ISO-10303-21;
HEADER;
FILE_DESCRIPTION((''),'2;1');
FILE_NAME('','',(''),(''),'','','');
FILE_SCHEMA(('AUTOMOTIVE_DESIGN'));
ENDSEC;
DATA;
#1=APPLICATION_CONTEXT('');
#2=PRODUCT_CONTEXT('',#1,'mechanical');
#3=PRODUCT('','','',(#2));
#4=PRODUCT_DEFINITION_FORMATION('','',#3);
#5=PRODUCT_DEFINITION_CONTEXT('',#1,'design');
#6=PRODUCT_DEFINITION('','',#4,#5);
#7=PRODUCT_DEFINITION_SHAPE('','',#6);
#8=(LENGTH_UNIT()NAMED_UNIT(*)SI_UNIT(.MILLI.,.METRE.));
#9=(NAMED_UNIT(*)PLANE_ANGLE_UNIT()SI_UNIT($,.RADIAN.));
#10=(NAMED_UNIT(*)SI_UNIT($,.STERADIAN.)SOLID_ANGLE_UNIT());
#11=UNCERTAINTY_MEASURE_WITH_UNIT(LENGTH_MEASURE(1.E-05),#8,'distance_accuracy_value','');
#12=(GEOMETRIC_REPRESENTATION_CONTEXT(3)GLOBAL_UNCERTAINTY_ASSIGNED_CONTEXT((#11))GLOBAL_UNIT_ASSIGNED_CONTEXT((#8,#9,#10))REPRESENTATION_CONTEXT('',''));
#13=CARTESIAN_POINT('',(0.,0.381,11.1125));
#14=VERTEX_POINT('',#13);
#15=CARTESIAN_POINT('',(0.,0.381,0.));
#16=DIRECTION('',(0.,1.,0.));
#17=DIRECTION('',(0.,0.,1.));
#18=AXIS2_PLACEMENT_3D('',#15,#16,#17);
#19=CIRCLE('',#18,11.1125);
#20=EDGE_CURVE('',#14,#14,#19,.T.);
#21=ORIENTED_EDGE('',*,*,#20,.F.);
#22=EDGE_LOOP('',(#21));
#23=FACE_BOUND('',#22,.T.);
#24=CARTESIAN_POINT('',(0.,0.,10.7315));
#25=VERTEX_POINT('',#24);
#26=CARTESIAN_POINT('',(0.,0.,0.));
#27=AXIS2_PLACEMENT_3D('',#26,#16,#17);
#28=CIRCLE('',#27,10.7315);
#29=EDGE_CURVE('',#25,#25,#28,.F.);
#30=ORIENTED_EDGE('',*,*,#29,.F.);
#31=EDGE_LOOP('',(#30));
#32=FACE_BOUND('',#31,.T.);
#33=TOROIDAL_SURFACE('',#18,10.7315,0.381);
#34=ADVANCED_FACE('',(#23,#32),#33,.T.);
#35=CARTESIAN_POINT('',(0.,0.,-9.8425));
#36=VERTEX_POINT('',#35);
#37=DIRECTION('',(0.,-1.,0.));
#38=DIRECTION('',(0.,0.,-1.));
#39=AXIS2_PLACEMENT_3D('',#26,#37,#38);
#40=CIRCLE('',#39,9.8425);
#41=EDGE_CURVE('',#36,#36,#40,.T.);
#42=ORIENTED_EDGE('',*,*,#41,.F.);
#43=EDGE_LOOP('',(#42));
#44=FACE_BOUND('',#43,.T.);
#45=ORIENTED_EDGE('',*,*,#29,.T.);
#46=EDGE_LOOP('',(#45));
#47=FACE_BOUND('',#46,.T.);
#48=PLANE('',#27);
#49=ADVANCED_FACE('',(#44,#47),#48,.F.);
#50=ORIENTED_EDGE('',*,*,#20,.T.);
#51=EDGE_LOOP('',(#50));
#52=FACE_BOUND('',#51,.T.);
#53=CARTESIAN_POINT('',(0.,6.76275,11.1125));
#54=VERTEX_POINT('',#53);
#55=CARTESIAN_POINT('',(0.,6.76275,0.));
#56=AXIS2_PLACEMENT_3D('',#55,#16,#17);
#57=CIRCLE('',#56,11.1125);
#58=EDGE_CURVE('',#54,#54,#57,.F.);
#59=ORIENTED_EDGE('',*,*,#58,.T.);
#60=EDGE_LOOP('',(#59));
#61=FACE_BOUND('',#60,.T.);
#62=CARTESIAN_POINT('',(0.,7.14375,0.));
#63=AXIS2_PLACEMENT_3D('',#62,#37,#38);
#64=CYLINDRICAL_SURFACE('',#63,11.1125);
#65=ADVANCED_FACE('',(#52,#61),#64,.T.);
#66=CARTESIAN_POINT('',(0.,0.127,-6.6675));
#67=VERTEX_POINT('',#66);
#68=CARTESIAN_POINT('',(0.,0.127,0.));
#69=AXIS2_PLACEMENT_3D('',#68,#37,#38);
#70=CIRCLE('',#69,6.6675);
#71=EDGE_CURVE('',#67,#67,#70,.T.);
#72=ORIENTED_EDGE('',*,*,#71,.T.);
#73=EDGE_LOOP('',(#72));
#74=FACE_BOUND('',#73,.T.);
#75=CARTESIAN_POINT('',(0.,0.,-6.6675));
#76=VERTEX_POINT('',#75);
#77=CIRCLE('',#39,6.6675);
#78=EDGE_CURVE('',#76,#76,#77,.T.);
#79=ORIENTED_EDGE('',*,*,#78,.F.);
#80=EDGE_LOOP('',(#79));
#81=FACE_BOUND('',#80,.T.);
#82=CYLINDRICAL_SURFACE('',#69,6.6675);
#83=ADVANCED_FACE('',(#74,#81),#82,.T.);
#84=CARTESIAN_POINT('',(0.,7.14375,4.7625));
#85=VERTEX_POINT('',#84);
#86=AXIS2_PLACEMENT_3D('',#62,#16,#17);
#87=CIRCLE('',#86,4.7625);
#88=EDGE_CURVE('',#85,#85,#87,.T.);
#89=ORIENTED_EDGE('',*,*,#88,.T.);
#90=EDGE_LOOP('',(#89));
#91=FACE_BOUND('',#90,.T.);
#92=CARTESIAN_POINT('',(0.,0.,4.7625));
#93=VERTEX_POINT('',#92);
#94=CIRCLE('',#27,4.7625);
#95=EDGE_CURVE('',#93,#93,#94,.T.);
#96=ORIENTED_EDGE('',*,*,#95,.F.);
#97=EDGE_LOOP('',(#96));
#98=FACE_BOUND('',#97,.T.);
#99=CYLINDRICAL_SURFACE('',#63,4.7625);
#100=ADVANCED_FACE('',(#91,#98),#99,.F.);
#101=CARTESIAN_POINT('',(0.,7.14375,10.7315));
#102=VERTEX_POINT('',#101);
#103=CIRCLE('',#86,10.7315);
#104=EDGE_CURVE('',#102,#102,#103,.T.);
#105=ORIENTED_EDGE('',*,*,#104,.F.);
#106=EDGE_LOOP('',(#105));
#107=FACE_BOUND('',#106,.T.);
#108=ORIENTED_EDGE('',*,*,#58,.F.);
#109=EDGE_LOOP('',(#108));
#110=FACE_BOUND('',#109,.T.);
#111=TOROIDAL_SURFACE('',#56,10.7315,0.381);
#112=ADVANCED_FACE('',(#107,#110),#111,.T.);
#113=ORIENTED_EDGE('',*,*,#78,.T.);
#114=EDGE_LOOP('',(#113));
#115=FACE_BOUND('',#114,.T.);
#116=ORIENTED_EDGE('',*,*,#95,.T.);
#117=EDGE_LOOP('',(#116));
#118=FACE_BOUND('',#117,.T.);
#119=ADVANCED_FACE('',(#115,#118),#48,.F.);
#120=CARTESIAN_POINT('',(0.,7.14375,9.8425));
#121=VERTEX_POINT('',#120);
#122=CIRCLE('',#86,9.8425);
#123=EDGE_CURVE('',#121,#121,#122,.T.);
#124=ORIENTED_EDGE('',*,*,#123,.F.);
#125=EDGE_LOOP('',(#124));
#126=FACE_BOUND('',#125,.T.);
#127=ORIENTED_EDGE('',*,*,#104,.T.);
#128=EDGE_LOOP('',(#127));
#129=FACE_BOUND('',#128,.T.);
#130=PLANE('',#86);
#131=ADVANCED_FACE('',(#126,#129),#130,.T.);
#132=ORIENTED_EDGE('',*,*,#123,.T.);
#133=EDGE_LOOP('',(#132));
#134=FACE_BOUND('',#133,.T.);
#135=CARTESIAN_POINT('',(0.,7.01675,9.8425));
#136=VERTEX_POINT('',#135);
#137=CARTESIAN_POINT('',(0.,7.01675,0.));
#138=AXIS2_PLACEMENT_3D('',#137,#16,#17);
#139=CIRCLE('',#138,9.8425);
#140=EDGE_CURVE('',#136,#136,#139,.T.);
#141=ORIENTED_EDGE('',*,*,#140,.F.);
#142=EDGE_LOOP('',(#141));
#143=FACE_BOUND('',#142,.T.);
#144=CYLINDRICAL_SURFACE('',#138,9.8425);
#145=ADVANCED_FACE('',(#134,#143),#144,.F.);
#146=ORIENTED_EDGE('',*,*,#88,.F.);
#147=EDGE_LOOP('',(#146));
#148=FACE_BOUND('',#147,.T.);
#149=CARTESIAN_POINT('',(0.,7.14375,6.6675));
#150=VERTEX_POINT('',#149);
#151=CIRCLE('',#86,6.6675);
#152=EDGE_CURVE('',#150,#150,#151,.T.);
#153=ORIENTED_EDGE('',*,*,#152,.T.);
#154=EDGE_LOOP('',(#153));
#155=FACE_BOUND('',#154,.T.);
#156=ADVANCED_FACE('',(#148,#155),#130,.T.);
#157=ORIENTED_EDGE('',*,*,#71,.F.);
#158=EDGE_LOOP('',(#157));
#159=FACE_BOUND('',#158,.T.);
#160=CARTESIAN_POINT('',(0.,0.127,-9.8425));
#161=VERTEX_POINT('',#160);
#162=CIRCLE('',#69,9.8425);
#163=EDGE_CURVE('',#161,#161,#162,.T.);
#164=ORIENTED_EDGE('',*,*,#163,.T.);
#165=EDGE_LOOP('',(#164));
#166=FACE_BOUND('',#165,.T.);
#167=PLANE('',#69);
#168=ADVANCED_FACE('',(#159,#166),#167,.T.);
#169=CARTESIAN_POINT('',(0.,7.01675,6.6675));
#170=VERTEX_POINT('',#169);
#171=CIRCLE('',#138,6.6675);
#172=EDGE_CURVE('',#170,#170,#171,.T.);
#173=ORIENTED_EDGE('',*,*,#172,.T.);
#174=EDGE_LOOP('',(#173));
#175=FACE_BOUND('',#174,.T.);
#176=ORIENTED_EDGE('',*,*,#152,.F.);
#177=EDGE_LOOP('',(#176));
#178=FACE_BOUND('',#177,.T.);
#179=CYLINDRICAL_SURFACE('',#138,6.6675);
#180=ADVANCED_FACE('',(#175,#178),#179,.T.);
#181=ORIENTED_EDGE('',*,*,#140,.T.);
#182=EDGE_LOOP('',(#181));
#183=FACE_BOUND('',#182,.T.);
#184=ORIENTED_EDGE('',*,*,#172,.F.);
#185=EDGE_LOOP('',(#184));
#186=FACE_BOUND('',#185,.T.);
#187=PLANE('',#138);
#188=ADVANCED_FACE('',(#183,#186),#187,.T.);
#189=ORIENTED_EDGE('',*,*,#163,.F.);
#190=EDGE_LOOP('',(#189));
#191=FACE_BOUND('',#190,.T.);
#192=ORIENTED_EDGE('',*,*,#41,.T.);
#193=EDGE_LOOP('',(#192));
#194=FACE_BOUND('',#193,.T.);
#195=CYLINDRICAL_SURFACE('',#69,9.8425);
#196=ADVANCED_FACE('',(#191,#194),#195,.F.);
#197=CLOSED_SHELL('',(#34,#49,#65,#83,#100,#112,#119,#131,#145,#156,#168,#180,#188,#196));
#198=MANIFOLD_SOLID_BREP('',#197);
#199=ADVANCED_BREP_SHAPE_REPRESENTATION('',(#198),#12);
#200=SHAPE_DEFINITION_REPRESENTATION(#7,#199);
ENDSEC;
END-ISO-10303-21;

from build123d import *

# Parameters (mm, degrees)
SKETCH1_R           = 11.1125
SKETCH1_R_2         = 4.7625
BOSS_EXTRUDE1_DEPTH = 7.14375
SKETCH2_R           = 9.8425
SKETCH2_R_2         = 6.6675
CUT_EXTRUDE1_DEPTH  = 0.127
SKETCH3_R           = 9.8425
SKETCH3_R_2         = 6.6675
CUT_EXTRUDE3_DEPTH  = 0.127
FILLET1_R           = 0.381


with BuildPart() as part:
    # Sketch1 → Boss-Extrude1 (new body)
    with BuildSketch(Plane(origin=(0, 0, 0), x_dir=(1, 0, 0), z_dir=(0, 1, 0))):
        Circle(SKETCH1_R)
        Circle(SKETCH1_R_2, mode=Mode.SUBTRACT)
    extrude(amount=BOSS_EXTRUDE1_DEPTH)

    # Sketch2 → Cut-Extrude1 (cut)
    with BuildSketch(Plane(origin=(0, 7.14375, 0), x_dir=(1, 0, 0), z_dir=(0, 1, 0))):
        Circle(SKETCH2_R)
        Circle(SKETCH2_R_2, mode=Mode.SUBTRACT)
    extrude(amount=-CUT_EXTRUDE1_DEPTH, mode=Mode.SUBTRACT)

    # Sketch3 → Cut-Extrude3 (cut)
    with BuildSketch(Plane.XZ):
        Circle(SKETCH3_R)
        Circle(SKETCH3_R_2, mode=Mode.SUBTRACT)
    extrude(amount=-CUT_EXTRUDE3_DEPTH, mode=Mode.SUBTRACT)

    # Fillet1
    fillet1_edges = [part.edges().sort_by_distance(p)[0] for p in [
        (-11.1125, 0, 0),
        (-11.1125, 7.14375, 0),
    ]]
    fillet(fillet1_edges, radius=FILLET1_R)


solid = part.part
